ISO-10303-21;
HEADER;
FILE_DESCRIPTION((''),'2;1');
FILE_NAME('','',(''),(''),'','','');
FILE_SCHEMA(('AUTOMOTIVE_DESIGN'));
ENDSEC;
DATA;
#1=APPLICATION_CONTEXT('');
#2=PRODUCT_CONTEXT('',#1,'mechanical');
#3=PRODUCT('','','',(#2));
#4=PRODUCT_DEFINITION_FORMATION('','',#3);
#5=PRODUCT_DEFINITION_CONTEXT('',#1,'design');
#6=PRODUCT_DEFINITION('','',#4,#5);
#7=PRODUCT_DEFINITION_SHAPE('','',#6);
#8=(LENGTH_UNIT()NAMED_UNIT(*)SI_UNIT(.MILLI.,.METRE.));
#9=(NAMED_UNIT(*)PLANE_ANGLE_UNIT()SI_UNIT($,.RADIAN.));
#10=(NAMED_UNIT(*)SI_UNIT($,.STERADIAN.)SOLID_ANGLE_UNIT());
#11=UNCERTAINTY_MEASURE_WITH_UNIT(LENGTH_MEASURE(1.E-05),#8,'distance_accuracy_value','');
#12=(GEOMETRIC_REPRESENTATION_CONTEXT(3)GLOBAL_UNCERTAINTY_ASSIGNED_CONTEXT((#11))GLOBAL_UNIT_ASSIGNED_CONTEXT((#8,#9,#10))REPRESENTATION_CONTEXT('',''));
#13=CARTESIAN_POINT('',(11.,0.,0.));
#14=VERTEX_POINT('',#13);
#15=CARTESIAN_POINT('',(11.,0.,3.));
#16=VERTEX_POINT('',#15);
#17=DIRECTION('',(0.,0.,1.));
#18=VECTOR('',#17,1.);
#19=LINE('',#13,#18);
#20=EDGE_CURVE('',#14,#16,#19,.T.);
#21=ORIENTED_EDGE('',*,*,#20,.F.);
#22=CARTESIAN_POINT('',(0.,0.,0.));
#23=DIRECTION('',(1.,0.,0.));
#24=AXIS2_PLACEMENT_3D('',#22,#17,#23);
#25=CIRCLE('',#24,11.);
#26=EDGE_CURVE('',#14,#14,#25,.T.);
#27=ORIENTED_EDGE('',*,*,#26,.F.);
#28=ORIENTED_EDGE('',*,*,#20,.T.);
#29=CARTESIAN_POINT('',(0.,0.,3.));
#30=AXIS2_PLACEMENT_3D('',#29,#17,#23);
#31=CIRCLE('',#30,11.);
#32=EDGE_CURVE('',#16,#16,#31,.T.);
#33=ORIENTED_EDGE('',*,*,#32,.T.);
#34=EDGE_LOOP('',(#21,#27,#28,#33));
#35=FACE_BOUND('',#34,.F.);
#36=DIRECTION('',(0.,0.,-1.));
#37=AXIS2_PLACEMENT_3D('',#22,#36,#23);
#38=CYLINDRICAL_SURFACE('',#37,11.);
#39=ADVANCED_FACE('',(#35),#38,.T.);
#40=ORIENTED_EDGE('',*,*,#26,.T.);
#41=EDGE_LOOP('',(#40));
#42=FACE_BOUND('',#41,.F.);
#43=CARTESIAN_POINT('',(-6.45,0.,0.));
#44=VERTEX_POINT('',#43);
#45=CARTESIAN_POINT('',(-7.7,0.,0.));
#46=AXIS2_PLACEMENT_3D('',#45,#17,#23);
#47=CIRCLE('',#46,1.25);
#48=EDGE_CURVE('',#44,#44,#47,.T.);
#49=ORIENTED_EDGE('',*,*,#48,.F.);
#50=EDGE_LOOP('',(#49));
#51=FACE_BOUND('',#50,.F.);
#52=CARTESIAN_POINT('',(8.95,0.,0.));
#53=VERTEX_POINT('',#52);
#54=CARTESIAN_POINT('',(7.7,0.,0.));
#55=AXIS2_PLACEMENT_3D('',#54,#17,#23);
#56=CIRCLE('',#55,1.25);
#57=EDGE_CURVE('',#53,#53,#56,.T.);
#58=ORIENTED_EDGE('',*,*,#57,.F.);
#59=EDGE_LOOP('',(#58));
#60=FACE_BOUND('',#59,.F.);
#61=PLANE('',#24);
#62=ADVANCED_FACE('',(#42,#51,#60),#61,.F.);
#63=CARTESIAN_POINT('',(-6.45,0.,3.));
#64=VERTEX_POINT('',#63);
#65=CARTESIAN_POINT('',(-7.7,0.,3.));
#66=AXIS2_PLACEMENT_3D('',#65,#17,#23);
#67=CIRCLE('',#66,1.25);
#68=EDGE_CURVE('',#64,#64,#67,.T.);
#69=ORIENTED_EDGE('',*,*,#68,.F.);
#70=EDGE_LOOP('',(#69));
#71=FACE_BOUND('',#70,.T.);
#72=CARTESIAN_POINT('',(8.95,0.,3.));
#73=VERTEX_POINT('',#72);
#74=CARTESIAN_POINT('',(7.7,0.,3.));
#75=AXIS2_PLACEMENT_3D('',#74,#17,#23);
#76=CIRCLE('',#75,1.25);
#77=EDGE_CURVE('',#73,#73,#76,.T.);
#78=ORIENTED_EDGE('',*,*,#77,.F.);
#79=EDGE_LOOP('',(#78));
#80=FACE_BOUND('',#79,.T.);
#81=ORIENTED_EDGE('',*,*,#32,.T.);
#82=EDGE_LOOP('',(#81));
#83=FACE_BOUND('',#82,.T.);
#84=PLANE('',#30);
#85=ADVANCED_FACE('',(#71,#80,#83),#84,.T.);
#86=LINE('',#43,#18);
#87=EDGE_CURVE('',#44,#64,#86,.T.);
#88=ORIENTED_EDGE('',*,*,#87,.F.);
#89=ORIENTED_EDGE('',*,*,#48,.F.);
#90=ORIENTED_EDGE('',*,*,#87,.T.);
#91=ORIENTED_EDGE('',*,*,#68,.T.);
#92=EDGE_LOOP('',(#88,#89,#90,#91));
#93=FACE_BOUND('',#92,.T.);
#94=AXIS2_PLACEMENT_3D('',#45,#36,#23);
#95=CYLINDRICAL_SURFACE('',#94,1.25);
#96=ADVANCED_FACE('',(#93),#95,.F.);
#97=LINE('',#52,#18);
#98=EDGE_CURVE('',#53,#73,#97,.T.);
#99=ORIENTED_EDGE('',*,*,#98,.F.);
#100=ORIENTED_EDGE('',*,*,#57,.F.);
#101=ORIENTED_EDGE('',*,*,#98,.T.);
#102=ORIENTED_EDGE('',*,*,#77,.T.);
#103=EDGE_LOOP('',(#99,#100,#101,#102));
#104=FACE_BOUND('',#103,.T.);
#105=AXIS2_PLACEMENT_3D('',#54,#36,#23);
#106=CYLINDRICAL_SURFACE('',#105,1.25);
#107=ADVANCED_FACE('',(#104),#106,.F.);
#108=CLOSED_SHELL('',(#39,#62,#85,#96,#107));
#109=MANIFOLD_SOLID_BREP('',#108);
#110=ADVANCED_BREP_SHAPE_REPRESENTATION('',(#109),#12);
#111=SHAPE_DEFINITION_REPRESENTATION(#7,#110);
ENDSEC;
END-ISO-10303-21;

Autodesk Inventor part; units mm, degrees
ref_plane "YZ Plane" through (0, 0, 0) normal (1, 0, 0) x (0, 1, 0)
ref_plane "XZ Plane" through (0, 0, 0) normal (0, 1, 0) x (-1, 0, 0)
ref_plane "XY Plane" through (0, 0, 0) normal (0, 0, 1) x (1, 0, 0)
sketch "Sketch1" plane through (0, 0, 0) normal (0, 0, 1) x (1, 0, 0)
  circle A0 centre (0, 0) radius 11
  line L0 (-7.7, 0) -> (7.7, 0) construction
  circle A1 centre (-7.7, 0) radius 1.25
  circle A2 centre (7.7, 0) radius 1.25
  dimension "d0" = 22
  dimension "d1" = 15.4
  dimension "d2" = 2.5
  dimension "d3" = 2.5
extrude "Extrusion1" add sketch "Sketch1" along normal blind 3
equation "\"d0\" = cs_diam"
equation "\"d1\" = cs_holeSpacing"
equation "\"d2\" = cs_holeDiam"
equation "\"d3\" = cs_holeDiam"
equation "\"d4\" = cs_depth"
equation "\"cs_diam\" = 22"
equation "\"cs_holeSpacing\" = 15.4"
equation "\"cs_holeDiam\" = 2.5"
equation "\"cs_depth\" = 3"
properties part number "Caster Spacer 3mm" material "PMMA Plastic"
